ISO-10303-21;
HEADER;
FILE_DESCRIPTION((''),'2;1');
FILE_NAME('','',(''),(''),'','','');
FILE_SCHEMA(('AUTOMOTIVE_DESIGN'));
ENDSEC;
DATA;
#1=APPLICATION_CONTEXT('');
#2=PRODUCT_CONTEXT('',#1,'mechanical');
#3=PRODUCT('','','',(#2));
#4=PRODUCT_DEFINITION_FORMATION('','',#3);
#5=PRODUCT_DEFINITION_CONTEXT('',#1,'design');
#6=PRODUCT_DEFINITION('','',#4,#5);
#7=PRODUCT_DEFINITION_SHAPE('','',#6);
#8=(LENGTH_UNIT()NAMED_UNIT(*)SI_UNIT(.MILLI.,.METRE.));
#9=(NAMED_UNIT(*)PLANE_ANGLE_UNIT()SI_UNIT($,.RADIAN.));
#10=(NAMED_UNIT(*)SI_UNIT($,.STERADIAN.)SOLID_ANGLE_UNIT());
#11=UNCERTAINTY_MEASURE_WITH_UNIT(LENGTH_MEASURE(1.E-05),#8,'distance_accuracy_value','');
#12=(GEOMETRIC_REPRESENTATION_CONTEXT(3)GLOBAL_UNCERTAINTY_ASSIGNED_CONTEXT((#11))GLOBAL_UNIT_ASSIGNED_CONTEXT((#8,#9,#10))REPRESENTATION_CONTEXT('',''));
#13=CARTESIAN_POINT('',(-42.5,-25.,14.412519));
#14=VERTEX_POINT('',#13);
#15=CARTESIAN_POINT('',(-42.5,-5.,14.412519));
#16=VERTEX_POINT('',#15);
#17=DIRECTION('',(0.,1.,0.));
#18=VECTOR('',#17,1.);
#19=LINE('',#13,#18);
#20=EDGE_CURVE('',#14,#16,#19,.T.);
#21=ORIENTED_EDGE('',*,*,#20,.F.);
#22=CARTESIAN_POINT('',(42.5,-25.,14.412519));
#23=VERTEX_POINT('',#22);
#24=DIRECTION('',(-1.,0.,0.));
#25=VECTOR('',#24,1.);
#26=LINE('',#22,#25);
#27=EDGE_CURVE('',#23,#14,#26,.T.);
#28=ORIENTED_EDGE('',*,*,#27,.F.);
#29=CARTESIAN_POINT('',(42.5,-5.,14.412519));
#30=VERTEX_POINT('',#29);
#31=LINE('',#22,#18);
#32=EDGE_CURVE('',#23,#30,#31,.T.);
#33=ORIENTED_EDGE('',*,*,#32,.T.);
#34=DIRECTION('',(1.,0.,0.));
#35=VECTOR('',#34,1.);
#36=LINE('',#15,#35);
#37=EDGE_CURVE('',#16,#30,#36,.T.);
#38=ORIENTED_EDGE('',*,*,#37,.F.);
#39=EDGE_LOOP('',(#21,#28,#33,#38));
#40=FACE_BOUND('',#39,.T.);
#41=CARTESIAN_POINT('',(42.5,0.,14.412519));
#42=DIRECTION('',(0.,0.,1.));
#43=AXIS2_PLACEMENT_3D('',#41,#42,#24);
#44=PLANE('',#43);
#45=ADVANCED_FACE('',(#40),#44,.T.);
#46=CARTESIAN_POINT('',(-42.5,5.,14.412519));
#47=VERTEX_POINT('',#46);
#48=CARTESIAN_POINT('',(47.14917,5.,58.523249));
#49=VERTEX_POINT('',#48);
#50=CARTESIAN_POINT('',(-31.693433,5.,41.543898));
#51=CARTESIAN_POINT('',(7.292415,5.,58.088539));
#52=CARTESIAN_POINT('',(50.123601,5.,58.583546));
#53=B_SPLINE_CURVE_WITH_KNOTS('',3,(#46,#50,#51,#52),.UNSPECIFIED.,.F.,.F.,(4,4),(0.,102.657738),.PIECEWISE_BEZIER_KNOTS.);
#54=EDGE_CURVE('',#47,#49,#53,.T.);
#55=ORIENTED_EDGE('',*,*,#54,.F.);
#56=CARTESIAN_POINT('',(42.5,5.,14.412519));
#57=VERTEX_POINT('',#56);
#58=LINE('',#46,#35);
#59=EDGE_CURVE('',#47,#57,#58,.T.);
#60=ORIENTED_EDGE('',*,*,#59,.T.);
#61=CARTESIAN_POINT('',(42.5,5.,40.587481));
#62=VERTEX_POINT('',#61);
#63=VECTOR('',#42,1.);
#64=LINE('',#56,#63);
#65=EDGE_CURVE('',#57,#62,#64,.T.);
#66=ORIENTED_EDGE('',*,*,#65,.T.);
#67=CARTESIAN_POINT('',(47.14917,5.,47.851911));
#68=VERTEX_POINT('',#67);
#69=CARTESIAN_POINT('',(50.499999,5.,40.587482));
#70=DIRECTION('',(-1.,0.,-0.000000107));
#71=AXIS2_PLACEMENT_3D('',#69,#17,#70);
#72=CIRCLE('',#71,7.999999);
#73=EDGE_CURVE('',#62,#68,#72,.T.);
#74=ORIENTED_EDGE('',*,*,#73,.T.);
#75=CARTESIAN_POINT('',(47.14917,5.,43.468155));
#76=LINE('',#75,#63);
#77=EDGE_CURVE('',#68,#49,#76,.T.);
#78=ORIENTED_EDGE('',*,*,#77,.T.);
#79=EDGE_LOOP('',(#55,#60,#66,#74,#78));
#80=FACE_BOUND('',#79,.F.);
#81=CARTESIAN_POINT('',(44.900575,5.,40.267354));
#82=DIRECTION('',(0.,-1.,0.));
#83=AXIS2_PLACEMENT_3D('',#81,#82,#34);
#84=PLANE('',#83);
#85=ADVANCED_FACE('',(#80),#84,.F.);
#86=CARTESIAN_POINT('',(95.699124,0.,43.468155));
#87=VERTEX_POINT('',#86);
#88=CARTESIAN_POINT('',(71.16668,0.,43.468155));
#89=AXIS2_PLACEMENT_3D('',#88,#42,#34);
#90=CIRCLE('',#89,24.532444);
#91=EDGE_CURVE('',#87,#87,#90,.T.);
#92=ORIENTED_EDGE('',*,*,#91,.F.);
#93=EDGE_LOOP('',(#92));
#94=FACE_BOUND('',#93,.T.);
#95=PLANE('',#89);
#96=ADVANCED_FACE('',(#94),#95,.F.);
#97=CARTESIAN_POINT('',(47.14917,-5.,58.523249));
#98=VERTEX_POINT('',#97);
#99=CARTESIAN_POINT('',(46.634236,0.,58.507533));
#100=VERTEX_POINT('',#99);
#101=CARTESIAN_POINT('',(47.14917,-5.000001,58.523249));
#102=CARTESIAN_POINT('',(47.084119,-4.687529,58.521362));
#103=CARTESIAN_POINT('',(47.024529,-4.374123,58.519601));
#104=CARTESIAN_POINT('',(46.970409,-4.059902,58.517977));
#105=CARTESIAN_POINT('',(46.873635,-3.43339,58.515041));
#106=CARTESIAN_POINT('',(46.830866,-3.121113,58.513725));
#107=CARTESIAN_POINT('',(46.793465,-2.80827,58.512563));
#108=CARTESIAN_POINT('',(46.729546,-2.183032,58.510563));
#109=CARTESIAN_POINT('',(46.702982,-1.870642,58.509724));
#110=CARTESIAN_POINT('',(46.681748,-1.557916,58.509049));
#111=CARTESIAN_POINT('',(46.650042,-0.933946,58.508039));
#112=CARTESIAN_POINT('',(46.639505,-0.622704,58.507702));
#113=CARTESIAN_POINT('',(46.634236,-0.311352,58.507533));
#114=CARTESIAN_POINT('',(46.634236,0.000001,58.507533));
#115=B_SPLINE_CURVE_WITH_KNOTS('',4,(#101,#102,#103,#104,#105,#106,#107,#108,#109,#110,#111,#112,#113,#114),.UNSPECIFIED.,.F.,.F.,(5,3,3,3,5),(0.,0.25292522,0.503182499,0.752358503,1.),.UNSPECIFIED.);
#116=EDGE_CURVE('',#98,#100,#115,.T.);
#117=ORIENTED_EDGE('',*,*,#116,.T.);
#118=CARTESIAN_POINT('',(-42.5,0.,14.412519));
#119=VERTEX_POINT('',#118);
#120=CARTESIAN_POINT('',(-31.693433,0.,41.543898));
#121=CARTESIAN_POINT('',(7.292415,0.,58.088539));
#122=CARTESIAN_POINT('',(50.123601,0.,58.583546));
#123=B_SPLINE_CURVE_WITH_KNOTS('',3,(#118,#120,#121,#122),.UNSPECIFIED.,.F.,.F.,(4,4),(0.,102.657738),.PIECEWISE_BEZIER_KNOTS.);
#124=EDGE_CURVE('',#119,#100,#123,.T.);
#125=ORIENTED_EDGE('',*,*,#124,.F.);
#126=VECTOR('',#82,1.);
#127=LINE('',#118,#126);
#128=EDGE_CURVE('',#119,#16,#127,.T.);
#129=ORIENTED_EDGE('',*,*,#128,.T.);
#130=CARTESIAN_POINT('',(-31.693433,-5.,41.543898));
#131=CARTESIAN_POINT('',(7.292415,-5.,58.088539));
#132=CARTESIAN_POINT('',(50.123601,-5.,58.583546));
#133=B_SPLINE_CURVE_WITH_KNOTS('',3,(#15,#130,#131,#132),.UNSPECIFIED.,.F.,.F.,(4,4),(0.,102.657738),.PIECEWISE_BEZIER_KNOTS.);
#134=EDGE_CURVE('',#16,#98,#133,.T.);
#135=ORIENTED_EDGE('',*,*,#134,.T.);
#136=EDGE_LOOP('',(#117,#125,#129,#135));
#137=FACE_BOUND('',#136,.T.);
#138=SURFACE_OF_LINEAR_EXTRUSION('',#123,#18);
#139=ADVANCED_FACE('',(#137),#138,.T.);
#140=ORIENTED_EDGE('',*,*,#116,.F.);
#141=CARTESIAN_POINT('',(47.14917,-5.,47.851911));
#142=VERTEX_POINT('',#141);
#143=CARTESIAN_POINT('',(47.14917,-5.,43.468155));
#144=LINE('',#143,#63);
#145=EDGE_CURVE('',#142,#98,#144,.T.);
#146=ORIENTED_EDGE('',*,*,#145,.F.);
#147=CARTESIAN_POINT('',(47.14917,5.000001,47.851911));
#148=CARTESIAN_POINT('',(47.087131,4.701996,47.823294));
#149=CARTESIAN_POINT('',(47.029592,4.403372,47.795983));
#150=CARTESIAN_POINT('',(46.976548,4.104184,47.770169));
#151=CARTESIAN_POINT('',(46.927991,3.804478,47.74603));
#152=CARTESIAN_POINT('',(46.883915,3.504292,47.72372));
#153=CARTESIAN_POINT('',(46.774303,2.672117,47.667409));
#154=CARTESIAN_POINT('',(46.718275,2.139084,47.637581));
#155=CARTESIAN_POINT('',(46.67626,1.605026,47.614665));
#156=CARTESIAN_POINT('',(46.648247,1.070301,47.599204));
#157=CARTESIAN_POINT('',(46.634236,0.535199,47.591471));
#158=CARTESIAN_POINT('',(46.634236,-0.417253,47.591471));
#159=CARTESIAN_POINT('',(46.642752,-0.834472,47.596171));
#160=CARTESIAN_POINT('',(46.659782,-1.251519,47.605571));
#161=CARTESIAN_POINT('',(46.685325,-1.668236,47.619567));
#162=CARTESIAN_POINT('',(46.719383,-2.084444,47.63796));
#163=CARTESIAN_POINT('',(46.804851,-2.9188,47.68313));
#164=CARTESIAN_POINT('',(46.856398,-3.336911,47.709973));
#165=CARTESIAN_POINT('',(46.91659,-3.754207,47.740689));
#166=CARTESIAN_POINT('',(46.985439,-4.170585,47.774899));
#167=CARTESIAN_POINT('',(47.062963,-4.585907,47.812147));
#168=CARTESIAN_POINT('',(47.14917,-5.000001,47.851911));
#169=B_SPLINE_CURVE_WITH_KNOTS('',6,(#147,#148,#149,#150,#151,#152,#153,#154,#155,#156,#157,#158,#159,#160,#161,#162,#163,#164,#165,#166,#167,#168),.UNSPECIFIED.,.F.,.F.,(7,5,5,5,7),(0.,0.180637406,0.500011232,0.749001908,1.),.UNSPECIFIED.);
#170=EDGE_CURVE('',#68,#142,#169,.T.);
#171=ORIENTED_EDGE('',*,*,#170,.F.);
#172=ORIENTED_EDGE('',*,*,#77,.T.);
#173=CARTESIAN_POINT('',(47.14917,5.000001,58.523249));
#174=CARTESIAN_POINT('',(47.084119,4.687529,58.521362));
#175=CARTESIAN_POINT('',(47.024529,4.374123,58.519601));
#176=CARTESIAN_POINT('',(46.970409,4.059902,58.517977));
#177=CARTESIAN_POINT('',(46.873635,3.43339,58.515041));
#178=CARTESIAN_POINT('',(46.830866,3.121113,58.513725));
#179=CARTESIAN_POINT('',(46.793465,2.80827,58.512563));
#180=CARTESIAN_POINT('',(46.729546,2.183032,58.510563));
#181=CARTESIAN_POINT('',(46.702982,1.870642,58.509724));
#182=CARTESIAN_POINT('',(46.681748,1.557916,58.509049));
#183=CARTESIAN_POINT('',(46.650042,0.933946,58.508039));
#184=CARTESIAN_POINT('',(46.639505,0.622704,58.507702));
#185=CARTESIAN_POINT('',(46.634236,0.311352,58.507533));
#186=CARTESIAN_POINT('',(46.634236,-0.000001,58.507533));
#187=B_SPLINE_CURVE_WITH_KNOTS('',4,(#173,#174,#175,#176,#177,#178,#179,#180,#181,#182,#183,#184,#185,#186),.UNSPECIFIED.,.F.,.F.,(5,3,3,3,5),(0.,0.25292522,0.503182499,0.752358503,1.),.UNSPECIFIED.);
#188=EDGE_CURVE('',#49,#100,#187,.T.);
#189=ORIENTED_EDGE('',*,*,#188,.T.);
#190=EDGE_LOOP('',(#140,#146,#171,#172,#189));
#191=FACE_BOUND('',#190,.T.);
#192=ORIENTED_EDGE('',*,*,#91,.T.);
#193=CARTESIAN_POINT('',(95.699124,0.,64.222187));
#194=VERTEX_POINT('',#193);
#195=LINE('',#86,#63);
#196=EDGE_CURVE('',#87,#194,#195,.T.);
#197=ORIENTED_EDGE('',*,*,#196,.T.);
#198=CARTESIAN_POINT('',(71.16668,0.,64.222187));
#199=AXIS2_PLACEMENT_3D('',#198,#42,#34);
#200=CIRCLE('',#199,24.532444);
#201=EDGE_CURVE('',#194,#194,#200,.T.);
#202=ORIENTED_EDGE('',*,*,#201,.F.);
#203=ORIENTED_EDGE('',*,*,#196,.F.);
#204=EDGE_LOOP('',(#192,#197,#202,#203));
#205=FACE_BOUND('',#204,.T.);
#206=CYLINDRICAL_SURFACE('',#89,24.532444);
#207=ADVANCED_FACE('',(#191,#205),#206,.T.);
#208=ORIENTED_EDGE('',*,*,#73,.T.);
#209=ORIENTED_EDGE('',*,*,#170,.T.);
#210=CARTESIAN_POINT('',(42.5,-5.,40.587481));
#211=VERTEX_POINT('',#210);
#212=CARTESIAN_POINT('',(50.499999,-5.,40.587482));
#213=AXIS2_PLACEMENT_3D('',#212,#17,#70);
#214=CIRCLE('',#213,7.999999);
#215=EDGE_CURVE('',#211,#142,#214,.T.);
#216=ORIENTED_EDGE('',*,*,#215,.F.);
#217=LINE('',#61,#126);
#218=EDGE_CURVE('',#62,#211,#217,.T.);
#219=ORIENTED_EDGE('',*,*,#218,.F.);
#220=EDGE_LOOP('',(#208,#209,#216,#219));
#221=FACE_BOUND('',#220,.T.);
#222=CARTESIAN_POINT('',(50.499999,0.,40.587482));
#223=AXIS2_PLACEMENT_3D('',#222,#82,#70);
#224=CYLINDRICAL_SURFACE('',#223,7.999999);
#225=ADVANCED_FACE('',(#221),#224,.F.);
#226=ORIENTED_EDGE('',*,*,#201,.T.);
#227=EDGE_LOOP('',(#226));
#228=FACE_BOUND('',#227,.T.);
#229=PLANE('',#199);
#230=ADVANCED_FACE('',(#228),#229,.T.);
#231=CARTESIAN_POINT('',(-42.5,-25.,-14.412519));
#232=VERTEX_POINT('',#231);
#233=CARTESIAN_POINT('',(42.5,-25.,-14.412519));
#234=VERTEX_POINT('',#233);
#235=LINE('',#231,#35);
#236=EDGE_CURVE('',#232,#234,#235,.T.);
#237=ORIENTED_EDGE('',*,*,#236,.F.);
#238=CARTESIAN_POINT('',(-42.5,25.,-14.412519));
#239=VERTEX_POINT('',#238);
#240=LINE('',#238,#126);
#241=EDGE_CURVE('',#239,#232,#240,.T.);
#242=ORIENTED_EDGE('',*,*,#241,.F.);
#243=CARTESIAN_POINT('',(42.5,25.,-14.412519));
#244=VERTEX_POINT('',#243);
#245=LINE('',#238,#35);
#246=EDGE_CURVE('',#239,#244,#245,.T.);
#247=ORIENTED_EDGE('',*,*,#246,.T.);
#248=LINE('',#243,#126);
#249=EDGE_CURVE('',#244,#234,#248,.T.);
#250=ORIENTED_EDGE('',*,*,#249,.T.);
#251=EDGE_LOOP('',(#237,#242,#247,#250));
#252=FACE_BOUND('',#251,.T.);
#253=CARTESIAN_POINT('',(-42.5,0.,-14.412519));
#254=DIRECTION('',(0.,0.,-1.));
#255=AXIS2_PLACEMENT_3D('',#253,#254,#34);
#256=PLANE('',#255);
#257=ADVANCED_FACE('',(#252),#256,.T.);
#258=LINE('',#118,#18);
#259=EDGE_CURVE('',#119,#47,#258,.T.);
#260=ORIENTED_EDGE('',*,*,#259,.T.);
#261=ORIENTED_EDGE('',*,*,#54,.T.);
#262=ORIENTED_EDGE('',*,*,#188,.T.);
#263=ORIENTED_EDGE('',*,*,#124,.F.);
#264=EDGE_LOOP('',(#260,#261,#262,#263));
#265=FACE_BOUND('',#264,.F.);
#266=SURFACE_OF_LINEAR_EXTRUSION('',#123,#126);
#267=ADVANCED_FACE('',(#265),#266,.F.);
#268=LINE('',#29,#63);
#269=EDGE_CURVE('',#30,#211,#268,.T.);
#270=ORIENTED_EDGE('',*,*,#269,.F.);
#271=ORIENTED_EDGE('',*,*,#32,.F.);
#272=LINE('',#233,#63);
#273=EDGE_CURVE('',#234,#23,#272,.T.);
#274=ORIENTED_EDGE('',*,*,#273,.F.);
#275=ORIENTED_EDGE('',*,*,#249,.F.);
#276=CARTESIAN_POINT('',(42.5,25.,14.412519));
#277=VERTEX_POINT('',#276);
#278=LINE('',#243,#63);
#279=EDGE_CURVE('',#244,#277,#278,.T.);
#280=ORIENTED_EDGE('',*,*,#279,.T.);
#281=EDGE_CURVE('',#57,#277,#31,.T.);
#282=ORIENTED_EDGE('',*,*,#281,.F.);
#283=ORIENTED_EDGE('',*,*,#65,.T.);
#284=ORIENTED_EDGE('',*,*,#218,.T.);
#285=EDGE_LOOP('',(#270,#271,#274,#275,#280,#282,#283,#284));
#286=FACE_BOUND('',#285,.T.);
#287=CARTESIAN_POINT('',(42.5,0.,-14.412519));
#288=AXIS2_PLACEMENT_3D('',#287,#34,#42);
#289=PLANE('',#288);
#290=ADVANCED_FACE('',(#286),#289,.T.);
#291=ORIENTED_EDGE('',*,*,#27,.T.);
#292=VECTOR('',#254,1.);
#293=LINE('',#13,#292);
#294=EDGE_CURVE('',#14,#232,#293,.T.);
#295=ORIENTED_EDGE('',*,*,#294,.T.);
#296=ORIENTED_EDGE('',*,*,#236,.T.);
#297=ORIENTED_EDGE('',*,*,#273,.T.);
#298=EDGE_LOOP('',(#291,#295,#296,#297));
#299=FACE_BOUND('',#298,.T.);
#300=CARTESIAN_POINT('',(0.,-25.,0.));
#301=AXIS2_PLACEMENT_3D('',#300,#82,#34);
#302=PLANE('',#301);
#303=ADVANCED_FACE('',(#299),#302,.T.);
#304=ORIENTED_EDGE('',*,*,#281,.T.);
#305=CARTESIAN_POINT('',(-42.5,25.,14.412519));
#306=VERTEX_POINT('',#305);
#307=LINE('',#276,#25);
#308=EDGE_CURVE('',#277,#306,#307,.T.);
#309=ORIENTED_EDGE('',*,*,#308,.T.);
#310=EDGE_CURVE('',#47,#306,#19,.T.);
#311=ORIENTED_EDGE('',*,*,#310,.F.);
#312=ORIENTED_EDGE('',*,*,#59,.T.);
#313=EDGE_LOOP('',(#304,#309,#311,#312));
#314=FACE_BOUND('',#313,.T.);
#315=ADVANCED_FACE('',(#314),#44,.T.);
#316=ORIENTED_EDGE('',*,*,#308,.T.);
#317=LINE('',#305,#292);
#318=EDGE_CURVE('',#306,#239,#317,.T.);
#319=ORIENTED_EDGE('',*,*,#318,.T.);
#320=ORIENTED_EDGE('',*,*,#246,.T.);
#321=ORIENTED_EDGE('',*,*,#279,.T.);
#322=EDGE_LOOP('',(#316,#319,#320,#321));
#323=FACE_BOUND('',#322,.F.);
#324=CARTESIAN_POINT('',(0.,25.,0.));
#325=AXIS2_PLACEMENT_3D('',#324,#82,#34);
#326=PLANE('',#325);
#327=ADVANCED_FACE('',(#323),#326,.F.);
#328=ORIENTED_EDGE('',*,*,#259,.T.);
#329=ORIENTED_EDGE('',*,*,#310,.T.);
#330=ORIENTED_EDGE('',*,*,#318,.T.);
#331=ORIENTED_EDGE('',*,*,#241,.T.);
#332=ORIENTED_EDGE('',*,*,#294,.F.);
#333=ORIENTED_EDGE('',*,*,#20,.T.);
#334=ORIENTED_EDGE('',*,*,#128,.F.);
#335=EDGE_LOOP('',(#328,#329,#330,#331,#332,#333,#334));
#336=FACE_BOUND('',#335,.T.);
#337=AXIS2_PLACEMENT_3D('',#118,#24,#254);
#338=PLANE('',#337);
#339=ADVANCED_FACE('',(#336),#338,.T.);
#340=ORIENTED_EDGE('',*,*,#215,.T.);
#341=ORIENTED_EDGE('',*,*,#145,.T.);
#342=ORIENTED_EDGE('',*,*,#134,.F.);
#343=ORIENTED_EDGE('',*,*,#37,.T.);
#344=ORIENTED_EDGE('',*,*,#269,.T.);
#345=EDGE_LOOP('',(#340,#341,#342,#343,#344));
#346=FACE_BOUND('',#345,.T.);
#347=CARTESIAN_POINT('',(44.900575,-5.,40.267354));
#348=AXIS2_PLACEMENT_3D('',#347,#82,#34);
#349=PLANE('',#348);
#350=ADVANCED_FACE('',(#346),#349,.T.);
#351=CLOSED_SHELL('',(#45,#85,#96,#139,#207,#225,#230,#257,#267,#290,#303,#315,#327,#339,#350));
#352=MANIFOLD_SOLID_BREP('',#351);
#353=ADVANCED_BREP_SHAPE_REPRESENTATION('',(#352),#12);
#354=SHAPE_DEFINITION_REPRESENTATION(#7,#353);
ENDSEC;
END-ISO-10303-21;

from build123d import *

# Parameters (mm, degrees)
F1_DEPTH = 25
F2_DEPTH = 5


with BuildPart() as f1:
    # F0 (on Front) → F1 (new body, symmetric)
    with BuildSketch(Plane.XZ):
        Polygon((32.5, 14.412519), (-42.5, 14.412519), (-42.5, -14.412519), (42.5, -14.412519), (42.5, 14.412519), align=None)
    extrude(amount=F1_DEPTH, both=True)

    # F0 (on Front) → F2 (join, symmetric)
    with BuildSketch(Plane.XZ):
        with BuildLine():
            Line((32.5, 40.587481), (32.5, 14.412519))
            Line((32.5, 14.412519), (42.5, 14.412519))
            Line((42.5, 14.412519), (42.5, 40.587481))
            ThreePointArc((42.5, 40.587481), (44.843146, 46.244336), (50.5, 48.587481))
            Line((50.5, 48.587481), (65.721087, 48.587481))
            Line((65.721087, 48.587481), (65.721087, 58.587481))
            Line((65.721087, 58.587481), (50.5, 58.587481))
            add(Edge.make_bspline(
                [(50.123601, 58.583546), (50.249035, 58.584995), (50.374501, 58.586307), (50.5, 58.587481)],
                knots=[102.657738, 102.657738, 102.657738, 102.657738, 102.958377, 102.958377, 102.958377, 102.958377], degree=3))
            ThreePointArc((50.123601, 58.583546), (37.639689, 53.181623), (32.5, 40.587481))
        make_face()
        with BuildLine():
            add(Edge.make_bspline(
                [(-42.5, 14.412519), (-31.693433, 41.543898), (7.292415, 58.088539), (50.123601, 58.583546)],
                knots=[0, 0, 0, 0, 102.657738, 102.657738, 102.657738, 102.657738], degree=3))
            Line((-42.5, 14.412519), (32.5, 14.412519))
            Line((32.5, 14.412519), (32.5, 40.587481))
            ThreePointArc((32.5, 40.587481), (37.639689, 53.181623), (50.123601, 58.583546))
        make_face()
    extrude(amount=F2_DEPTH, both=True)

    # F0 (on Front) → F3 (revolve)
    with BuildSketch(Plane.XZ):
        Polygon((71.16668, 64.222187), (71.16668, 58.587481), (71.16668, 48.587481), (71.16668, 43.468155), (95.699124, 43.468155), (95.699124, 64.222187), align=None)
    revolve(axis=Axis((71.16668, 0, 53.845171), (0, 0, 1)))


solid = f1.part
